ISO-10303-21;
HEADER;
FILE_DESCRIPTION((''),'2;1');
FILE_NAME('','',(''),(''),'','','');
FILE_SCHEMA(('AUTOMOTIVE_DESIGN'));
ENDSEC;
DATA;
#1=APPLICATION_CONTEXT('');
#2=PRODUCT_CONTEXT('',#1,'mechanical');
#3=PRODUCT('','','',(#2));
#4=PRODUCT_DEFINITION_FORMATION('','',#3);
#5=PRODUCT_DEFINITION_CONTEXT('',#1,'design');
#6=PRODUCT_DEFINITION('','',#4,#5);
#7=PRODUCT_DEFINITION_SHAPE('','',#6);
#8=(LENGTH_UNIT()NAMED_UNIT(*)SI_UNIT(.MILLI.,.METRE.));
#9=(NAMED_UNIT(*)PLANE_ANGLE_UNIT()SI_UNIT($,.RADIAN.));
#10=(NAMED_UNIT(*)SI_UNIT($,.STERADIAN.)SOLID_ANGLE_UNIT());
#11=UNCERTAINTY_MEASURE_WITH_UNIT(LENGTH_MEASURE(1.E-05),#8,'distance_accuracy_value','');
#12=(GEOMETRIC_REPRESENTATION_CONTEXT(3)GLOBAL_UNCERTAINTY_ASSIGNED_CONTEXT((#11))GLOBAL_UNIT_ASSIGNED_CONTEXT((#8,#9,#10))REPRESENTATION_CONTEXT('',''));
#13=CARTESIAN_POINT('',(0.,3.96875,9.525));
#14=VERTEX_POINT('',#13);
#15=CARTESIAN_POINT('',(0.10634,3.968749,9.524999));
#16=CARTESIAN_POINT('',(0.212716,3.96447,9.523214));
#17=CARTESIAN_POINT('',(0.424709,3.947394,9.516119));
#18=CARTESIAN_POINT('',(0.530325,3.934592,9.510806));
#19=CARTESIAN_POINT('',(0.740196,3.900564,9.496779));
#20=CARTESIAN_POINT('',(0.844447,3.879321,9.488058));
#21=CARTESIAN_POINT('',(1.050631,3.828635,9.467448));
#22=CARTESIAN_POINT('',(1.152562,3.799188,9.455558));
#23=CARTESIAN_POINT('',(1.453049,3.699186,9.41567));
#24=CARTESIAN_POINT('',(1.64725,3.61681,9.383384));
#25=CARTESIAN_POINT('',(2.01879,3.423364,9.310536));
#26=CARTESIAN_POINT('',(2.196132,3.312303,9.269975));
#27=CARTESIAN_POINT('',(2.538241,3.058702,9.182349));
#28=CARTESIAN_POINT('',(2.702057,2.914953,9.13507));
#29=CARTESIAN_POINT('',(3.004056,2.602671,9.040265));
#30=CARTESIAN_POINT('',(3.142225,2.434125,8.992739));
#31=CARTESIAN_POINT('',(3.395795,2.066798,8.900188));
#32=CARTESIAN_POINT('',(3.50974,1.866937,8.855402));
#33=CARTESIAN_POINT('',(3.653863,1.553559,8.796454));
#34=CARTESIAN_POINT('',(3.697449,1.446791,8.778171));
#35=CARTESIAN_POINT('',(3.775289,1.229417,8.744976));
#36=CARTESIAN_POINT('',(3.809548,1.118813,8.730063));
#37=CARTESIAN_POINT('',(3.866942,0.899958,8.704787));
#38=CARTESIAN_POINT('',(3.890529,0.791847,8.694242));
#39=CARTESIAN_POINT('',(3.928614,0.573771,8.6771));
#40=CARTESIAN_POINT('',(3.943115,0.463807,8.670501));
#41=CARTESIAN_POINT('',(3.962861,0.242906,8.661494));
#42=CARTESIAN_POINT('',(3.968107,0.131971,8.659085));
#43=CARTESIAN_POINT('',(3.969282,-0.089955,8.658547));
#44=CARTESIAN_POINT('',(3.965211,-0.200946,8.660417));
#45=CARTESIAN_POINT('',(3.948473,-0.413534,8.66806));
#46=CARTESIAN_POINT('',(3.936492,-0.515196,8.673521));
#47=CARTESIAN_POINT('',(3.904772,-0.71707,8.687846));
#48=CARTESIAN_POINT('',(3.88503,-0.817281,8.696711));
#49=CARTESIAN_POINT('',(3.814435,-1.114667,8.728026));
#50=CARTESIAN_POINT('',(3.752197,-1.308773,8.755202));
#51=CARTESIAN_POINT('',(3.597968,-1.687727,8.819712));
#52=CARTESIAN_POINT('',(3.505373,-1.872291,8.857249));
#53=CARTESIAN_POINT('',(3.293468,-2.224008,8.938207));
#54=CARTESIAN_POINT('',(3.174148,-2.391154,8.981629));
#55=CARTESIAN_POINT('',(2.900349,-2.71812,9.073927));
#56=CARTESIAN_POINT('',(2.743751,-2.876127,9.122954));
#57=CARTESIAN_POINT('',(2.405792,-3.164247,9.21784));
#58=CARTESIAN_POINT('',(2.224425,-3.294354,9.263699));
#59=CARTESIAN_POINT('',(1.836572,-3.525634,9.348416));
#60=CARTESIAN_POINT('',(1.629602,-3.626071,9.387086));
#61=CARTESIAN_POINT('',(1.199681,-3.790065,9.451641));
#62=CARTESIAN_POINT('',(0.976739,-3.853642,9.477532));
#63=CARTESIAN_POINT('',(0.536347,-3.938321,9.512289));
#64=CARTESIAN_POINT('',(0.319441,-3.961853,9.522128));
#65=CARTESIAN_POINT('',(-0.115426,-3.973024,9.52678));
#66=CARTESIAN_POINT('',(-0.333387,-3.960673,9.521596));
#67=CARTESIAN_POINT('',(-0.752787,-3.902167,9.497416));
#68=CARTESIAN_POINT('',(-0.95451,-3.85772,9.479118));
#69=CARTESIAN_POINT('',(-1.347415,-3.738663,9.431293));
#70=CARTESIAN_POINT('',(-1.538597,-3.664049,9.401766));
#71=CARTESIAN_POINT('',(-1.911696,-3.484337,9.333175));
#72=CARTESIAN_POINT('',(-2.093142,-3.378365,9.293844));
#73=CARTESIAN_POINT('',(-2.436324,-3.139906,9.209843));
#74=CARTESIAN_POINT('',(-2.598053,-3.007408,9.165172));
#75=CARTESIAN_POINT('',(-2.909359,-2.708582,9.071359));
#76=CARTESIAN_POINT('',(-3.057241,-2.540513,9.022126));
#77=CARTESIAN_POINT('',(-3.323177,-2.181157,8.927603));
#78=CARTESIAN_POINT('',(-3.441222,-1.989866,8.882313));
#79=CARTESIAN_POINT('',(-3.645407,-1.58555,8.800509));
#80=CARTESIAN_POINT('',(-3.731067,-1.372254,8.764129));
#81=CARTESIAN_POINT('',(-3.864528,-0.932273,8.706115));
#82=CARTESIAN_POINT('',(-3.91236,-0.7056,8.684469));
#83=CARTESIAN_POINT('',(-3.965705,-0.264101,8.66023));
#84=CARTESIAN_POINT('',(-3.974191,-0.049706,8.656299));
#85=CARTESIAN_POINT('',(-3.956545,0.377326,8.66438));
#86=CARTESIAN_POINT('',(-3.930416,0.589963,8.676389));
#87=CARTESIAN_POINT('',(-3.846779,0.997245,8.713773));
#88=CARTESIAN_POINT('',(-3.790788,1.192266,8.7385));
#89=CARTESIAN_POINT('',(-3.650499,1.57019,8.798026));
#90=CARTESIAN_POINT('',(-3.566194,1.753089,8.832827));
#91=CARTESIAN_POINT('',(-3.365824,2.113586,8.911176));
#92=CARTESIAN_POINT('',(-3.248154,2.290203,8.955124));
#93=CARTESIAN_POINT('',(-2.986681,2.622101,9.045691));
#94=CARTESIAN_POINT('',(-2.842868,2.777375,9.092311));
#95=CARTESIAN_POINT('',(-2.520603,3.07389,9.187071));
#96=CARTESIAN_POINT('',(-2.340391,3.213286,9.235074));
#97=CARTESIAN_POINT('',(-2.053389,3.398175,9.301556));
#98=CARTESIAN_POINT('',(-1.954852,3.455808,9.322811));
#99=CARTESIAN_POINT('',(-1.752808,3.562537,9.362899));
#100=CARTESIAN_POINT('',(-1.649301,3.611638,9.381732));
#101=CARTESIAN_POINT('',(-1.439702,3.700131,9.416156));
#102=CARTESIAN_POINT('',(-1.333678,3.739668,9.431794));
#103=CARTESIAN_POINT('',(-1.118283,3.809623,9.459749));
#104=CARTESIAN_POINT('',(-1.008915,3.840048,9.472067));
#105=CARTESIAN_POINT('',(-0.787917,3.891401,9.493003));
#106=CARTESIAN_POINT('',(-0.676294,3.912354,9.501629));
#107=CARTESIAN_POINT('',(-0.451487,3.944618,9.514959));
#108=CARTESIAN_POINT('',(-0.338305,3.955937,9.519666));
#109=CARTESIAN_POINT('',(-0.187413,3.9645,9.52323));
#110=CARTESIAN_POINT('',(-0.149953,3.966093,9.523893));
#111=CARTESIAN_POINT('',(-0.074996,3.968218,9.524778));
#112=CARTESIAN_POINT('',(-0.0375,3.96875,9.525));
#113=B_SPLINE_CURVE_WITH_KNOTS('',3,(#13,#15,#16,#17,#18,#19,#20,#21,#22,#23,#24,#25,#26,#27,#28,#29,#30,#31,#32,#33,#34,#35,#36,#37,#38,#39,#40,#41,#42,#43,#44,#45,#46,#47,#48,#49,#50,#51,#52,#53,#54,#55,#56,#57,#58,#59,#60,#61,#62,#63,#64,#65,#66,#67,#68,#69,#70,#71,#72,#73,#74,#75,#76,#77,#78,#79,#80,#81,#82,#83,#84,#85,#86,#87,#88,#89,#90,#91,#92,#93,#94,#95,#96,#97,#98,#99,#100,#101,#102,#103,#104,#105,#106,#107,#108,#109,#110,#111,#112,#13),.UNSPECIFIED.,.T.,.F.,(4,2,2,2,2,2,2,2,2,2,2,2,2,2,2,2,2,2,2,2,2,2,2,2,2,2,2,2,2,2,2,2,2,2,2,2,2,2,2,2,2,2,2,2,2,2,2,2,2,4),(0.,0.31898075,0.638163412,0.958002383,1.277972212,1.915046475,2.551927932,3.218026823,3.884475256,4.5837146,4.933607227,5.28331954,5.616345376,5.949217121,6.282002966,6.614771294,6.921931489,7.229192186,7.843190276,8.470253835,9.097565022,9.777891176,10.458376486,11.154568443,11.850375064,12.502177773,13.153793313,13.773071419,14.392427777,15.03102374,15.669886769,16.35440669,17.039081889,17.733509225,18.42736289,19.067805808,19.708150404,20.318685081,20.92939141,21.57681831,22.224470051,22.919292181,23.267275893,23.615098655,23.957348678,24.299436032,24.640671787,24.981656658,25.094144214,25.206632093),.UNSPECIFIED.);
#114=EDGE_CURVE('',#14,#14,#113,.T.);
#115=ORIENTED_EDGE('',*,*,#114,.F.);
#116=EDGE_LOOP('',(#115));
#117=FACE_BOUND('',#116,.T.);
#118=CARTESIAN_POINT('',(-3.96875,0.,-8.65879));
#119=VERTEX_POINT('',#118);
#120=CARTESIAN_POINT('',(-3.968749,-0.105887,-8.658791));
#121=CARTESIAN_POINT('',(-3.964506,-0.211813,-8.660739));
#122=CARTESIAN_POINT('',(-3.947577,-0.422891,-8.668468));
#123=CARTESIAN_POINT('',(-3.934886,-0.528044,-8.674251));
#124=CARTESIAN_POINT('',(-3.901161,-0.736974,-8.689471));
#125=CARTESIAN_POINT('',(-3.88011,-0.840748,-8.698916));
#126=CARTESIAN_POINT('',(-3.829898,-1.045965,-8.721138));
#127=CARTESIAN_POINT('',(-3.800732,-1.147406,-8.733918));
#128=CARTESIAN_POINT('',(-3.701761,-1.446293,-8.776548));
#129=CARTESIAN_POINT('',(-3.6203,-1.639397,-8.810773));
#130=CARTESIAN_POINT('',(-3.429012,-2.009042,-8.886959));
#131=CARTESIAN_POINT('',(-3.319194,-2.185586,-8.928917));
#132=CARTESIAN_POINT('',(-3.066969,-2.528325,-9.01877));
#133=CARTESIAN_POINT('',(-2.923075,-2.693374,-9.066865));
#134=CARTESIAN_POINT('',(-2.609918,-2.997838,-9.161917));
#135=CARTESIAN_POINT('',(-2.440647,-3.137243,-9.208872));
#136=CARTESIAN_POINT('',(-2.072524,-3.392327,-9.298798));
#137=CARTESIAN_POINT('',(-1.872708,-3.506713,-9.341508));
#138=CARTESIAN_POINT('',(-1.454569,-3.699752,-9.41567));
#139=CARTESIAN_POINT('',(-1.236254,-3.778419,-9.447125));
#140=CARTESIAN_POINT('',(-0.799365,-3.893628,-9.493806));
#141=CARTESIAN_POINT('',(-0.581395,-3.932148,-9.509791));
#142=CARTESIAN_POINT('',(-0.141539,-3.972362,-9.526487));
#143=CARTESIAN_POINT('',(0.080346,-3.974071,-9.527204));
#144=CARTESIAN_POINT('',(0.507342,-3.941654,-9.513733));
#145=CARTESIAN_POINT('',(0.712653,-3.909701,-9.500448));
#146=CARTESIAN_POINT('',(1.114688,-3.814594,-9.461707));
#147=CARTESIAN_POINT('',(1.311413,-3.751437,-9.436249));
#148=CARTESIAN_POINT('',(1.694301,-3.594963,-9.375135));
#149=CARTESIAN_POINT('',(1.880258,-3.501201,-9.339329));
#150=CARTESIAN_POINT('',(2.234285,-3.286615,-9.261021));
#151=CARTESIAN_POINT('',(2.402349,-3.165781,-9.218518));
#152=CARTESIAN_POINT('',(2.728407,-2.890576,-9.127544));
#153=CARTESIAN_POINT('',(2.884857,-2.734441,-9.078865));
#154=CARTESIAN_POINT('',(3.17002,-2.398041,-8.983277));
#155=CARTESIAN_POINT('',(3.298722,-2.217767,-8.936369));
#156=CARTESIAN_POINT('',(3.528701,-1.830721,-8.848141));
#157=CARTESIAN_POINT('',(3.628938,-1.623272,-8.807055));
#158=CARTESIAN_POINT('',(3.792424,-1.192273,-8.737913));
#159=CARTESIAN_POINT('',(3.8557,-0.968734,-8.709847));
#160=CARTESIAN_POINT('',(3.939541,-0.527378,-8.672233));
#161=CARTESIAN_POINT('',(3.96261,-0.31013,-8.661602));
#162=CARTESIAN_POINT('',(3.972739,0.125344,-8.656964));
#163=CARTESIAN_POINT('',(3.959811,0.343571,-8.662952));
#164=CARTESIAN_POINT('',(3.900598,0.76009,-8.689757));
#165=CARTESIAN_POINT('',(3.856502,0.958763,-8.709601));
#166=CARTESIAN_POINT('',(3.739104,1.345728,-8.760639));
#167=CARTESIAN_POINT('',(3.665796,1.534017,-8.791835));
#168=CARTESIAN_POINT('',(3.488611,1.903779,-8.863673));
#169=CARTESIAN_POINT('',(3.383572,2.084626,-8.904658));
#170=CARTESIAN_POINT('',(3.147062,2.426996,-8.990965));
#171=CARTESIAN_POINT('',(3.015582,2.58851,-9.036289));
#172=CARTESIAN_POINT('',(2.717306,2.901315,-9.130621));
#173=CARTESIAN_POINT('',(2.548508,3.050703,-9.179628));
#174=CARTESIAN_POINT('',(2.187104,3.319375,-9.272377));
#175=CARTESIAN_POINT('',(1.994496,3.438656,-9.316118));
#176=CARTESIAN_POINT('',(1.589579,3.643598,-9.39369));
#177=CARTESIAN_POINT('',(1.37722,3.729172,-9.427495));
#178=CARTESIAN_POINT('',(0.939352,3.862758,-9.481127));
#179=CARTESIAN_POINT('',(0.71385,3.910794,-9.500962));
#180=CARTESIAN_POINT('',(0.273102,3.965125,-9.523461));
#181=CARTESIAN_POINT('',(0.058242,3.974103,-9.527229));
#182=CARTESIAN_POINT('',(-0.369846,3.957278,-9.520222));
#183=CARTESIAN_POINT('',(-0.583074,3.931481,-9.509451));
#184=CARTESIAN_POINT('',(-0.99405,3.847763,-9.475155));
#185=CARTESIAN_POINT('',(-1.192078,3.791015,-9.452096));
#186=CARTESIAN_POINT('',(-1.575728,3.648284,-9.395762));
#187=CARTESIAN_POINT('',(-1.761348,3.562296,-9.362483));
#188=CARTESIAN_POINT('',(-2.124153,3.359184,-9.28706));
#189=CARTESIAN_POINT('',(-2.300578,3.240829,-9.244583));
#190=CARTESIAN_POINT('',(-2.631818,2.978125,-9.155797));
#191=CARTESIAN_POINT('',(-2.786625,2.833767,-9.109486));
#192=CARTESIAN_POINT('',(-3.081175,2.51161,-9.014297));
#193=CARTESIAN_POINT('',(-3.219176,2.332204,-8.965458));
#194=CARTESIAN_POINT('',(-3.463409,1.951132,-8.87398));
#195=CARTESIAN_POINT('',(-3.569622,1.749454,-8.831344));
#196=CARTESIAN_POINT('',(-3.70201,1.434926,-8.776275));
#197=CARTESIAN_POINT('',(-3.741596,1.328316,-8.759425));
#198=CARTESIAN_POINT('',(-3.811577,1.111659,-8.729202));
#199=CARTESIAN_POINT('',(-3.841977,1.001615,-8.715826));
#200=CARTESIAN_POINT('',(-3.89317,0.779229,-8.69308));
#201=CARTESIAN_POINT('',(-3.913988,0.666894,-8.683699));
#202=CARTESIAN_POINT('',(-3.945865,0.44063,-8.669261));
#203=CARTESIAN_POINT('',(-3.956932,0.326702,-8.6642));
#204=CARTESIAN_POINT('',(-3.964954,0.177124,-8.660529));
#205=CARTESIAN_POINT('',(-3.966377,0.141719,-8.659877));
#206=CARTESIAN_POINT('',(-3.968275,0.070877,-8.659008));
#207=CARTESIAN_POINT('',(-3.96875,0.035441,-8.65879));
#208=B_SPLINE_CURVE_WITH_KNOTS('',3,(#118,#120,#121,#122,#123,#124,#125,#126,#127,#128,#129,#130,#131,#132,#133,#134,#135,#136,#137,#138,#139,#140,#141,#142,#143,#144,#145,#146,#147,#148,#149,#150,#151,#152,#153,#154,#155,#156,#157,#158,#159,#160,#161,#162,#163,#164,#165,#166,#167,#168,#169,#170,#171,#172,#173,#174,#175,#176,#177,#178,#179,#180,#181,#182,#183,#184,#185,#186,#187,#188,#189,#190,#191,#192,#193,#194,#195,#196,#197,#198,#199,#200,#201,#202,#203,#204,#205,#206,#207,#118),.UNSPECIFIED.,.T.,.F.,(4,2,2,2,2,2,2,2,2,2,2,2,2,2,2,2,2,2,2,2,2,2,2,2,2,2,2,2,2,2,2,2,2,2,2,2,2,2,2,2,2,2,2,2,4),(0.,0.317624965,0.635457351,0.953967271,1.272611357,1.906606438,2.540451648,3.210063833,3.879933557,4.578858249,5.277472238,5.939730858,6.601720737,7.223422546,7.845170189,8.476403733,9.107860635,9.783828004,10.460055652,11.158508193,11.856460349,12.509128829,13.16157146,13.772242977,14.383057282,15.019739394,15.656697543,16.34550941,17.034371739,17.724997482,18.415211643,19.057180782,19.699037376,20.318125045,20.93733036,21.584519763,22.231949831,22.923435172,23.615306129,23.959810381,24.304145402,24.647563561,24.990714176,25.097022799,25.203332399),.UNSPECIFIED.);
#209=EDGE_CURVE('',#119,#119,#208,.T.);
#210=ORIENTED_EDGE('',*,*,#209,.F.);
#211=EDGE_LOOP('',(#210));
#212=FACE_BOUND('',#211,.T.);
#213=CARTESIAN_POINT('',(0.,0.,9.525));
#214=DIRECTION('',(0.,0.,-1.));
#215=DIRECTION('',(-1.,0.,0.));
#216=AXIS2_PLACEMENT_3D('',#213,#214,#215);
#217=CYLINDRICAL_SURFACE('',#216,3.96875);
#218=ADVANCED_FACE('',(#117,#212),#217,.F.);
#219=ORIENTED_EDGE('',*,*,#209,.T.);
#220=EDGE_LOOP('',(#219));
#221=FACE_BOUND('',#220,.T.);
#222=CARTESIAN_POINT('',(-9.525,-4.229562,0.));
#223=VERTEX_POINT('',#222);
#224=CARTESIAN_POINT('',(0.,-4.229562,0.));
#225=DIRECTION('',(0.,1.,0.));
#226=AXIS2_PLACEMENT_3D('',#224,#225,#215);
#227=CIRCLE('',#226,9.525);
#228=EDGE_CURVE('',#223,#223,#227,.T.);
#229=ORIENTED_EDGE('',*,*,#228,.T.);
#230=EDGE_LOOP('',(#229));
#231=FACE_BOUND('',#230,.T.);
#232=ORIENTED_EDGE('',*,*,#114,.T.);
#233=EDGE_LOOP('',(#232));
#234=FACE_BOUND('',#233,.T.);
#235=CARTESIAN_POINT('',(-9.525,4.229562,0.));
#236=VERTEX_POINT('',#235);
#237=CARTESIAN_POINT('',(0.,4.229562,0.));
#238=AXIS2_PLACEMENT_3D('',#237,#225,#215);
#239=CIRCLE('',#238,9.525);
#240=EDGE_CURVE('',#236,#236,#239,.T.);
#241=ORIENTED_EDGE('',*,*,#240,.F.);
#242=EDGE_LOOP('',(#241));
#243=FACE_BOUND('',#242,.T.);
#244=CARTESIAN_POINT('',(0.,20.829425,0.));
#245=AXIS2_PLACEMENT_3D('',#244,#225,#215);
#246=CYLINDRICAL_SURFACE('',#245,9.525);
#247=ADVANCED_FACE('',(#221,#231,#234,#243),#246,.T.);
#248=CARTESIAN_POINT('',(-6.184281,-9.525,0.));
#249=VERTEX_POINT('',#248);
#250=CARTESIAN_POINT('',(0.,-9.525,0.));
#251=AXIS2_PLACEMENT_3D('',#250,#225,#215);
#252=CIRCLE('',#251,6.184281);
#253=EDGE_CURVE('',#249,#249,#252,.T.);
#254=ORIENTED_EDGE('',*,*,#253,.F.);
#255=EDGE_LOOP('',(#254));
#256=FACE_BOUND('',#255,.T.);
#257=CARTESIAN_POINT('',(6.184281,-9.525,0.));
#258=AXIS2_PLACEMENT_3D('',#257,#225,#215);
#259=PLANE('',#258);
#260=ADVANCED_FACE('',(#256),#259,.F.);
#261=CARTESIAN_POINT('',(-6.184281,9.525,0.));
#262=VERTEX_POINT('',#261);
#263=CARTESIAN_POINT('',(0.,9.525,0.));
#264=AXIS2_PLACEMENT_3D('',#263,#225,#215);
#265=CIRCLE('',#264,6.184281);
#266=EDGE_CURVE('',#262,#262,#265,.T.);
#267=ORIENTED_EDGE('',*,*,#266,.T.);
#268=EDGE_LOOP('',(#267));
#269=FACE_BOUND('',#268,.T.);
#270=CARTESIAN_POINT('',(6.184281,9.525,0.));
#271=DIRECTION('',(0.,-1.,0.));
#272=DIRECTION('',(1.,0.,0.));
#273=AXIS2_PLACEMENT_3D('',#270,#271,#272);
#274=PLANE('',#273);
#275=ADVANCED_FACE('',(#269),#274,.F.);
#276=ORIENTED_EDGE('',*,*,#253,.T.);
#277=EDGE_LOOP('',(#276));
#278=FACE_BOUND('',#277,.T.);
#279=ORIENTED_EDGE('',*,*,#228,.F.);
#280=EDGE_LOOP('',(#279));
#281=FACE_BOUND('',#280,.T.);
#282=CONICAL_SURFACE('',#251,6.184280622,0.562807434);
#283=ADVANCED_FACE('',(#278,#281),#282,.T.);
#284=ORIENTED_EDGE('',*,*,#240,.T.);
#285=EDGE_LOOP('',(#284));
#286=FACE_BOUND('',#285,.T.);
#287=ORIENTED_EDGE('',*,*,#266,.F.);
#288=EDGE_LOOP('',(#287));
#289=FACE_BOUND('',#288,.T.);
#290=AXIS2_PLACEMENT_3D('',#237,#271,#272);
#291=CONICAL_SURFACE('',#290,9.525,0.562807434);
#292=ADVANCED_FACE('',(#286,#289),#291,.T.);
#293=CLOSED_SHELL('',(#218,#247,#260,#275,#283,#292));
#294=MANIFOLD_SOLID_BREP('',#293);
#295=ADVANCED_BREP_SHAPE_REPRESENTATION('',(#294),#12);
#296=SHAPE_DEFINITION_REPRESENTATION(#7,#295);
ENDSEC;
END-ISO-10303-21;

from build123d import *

# Parameters (mm, degrees)
SKETCH3_R               = 3.96875
CUT_EXTRUDE1_DEPTH      = 10.525
CUT_EXTRUDE1_DEPTH_BACK = 10.525


with BuildPart() as part:
    # Sketch1 → Revolve1 (revolve)
    with BuildSketch(Plane.XY):
        Polygon((0, 9.525), (0, -9.525), (6.184280622, -9.525), (9.525, -4.229561572), (9.525, 4.229561572), (6.184280622, 9.525), align=None)
    revolve(axis=Axis((0, 20.829425287, 0), (0, -1, 0)))

    # Sketch3 → Cut-Extrude1 (cut, two sides)
    with BuildSketch(Plane(origin=(0, 9.525, 0), x_dir=(0, 1, 0), z_dir=(0, 0, -1))) as cut_extrude1_sk:
        with Locations((-9.525, 0)):
            Circle(SKETCH3_R)
    extrude(amount=CUT_EXTRUDE1_DEPTH, mode=Mode.SUBTRACT)
    extrude(cut_extrude1_sk.sketch, amount=-CUT_EXTRUDE1_DEPTH_BACK, mode=Mode.SUBTRACT)


solid = part.part
